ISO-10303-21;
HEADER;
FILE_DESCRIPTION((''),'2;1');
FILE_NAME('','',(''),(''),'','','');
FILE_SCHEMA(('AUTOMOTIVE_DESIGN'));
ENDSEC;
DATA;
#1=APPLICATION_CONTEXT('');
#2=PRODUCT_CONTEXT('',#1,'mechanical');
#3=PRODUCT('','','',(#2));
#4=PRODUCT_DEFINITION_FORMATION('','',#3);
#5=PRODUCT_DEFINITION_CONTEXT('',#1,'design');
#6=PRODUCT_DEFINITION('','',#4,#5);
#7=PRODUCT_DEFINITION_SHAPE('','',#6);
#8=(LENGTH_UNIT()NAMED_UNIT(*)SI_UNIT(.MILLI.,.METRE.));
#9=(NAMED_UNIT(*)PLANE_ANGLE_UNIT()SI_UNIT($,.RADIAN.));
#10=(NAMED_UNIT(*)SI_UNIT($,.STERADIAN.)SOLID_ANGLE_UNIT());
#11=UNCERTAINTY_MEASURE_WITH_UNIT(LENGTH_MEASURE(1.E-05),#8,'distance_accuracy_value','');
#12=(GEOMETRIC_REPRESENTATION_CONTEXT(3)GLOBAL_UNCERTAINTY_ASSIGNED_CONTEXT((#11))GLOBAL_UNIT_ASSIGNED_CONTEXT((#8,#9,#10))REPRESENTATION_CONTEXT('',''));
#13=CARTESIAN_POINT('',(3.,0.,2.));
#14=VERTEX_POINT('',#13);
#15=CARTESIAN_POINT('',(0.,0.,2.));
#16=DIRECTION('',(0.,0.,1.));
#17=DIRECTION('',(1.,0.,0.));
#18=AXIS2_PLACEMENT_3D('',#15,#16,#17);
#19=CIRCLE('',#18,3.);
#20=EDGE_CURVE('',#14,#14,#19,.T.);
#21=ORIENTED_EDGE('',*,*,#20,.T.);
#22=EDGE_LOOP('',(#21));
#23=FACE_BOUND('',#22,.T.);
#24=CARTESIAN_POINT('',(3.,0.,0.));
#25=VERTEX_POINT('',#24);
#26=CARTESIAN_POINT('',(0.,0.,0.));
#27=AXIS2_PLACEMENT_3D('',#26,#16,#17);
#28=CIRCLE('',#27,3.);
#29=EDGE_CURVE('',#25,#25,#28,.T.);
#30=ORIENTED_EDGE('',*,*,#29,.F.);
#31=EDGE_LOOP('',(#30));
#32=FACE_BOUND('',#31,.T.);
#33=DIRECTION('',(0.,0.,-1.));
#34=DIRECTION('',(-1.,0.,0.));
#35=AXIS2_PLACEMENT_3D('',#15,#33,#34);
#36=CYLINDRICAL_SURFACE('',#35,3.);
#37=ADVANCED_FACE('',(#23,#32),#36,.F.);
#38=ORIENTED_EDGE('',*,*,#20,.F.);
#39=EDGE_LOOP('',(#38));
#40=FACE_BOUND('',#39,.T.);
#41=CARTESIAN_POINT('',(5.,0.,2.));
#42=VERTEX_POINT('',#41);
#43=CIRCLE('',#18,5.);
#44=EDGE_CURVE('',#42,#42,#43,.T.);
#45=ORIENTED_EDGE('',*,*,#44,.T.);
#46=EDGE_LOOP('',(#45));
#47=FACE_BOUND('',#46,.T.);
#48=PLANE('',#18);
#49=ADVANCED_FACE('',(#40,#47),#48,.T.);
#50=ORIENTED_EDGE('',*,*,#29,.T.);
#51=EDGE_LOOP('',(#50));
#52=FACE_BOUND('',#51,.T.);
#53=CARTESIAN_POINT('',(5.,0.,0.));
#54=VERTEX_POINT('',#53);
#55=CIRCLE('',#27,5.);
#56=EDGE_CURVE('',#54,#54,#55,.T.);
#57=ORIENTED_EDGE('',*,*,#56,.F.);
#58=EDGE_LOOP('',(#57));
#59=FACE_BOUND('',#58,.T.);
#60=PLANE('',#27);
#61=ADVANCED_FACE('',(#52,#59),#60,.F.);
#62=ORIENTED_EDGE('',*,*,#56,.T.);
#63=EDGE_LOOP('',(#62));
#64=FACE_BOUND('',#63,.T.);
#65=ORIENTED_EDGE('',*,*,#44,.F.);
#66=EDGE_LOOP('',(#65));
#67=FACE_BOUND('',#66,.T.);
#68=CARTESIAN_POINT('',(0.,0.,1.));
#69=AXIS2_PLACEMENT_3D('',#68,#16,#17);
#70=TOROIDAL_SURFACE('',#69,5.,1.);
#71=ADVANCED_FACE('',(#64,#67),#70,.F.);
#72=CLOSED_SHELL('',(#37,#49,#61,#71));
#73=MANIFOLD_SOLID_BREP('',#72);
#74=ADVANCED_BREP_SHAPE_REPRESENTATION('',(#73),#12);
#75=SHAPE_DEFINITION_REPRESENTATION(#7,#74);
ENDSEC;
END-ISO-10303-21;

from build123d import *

# Parameters (mm, degrees)
SKETCH1_R           = 5
SKETCH1_R_2         = 3
BOSS_EXTRUDE1_DEPTH = 2


with BuildPart() as part:
    # Sketch1 → Boss-Extrude1 (new body)
    with BuildSketch(Plane.XY):
        Circle(SKETCH1_R)
        Circle(SKETCH1_R_2, mode=Mode.SUBTRACT)
    extrude(amount=BOSS_EXTRUDE1_DEPTH)

    # Sketch2 → Cut-Revolve1 (revolve, cut)
    with BuildSketch(Plane(origin=(0, 0, 0), x_dir=(0, 0, -1), z_dir=(1, 0, 0)), mode=Mode.PRIVATE) as cut_revolve1_sk:
        with BuildLine():
            Line((-2, 5), (0, 5))
            ThreePointArc((0, 5), (-1, 4), (-2, 5))
        make_face()
    revolve(cut_revolve1_sk.sketch.rotate(Axis((0, 0, 2), (0, 0, -1)), 90), axis=Axis((0, 0, 2), (0, 0, -1)), mode=Mode.SUBTRACT)


solid = part.part
